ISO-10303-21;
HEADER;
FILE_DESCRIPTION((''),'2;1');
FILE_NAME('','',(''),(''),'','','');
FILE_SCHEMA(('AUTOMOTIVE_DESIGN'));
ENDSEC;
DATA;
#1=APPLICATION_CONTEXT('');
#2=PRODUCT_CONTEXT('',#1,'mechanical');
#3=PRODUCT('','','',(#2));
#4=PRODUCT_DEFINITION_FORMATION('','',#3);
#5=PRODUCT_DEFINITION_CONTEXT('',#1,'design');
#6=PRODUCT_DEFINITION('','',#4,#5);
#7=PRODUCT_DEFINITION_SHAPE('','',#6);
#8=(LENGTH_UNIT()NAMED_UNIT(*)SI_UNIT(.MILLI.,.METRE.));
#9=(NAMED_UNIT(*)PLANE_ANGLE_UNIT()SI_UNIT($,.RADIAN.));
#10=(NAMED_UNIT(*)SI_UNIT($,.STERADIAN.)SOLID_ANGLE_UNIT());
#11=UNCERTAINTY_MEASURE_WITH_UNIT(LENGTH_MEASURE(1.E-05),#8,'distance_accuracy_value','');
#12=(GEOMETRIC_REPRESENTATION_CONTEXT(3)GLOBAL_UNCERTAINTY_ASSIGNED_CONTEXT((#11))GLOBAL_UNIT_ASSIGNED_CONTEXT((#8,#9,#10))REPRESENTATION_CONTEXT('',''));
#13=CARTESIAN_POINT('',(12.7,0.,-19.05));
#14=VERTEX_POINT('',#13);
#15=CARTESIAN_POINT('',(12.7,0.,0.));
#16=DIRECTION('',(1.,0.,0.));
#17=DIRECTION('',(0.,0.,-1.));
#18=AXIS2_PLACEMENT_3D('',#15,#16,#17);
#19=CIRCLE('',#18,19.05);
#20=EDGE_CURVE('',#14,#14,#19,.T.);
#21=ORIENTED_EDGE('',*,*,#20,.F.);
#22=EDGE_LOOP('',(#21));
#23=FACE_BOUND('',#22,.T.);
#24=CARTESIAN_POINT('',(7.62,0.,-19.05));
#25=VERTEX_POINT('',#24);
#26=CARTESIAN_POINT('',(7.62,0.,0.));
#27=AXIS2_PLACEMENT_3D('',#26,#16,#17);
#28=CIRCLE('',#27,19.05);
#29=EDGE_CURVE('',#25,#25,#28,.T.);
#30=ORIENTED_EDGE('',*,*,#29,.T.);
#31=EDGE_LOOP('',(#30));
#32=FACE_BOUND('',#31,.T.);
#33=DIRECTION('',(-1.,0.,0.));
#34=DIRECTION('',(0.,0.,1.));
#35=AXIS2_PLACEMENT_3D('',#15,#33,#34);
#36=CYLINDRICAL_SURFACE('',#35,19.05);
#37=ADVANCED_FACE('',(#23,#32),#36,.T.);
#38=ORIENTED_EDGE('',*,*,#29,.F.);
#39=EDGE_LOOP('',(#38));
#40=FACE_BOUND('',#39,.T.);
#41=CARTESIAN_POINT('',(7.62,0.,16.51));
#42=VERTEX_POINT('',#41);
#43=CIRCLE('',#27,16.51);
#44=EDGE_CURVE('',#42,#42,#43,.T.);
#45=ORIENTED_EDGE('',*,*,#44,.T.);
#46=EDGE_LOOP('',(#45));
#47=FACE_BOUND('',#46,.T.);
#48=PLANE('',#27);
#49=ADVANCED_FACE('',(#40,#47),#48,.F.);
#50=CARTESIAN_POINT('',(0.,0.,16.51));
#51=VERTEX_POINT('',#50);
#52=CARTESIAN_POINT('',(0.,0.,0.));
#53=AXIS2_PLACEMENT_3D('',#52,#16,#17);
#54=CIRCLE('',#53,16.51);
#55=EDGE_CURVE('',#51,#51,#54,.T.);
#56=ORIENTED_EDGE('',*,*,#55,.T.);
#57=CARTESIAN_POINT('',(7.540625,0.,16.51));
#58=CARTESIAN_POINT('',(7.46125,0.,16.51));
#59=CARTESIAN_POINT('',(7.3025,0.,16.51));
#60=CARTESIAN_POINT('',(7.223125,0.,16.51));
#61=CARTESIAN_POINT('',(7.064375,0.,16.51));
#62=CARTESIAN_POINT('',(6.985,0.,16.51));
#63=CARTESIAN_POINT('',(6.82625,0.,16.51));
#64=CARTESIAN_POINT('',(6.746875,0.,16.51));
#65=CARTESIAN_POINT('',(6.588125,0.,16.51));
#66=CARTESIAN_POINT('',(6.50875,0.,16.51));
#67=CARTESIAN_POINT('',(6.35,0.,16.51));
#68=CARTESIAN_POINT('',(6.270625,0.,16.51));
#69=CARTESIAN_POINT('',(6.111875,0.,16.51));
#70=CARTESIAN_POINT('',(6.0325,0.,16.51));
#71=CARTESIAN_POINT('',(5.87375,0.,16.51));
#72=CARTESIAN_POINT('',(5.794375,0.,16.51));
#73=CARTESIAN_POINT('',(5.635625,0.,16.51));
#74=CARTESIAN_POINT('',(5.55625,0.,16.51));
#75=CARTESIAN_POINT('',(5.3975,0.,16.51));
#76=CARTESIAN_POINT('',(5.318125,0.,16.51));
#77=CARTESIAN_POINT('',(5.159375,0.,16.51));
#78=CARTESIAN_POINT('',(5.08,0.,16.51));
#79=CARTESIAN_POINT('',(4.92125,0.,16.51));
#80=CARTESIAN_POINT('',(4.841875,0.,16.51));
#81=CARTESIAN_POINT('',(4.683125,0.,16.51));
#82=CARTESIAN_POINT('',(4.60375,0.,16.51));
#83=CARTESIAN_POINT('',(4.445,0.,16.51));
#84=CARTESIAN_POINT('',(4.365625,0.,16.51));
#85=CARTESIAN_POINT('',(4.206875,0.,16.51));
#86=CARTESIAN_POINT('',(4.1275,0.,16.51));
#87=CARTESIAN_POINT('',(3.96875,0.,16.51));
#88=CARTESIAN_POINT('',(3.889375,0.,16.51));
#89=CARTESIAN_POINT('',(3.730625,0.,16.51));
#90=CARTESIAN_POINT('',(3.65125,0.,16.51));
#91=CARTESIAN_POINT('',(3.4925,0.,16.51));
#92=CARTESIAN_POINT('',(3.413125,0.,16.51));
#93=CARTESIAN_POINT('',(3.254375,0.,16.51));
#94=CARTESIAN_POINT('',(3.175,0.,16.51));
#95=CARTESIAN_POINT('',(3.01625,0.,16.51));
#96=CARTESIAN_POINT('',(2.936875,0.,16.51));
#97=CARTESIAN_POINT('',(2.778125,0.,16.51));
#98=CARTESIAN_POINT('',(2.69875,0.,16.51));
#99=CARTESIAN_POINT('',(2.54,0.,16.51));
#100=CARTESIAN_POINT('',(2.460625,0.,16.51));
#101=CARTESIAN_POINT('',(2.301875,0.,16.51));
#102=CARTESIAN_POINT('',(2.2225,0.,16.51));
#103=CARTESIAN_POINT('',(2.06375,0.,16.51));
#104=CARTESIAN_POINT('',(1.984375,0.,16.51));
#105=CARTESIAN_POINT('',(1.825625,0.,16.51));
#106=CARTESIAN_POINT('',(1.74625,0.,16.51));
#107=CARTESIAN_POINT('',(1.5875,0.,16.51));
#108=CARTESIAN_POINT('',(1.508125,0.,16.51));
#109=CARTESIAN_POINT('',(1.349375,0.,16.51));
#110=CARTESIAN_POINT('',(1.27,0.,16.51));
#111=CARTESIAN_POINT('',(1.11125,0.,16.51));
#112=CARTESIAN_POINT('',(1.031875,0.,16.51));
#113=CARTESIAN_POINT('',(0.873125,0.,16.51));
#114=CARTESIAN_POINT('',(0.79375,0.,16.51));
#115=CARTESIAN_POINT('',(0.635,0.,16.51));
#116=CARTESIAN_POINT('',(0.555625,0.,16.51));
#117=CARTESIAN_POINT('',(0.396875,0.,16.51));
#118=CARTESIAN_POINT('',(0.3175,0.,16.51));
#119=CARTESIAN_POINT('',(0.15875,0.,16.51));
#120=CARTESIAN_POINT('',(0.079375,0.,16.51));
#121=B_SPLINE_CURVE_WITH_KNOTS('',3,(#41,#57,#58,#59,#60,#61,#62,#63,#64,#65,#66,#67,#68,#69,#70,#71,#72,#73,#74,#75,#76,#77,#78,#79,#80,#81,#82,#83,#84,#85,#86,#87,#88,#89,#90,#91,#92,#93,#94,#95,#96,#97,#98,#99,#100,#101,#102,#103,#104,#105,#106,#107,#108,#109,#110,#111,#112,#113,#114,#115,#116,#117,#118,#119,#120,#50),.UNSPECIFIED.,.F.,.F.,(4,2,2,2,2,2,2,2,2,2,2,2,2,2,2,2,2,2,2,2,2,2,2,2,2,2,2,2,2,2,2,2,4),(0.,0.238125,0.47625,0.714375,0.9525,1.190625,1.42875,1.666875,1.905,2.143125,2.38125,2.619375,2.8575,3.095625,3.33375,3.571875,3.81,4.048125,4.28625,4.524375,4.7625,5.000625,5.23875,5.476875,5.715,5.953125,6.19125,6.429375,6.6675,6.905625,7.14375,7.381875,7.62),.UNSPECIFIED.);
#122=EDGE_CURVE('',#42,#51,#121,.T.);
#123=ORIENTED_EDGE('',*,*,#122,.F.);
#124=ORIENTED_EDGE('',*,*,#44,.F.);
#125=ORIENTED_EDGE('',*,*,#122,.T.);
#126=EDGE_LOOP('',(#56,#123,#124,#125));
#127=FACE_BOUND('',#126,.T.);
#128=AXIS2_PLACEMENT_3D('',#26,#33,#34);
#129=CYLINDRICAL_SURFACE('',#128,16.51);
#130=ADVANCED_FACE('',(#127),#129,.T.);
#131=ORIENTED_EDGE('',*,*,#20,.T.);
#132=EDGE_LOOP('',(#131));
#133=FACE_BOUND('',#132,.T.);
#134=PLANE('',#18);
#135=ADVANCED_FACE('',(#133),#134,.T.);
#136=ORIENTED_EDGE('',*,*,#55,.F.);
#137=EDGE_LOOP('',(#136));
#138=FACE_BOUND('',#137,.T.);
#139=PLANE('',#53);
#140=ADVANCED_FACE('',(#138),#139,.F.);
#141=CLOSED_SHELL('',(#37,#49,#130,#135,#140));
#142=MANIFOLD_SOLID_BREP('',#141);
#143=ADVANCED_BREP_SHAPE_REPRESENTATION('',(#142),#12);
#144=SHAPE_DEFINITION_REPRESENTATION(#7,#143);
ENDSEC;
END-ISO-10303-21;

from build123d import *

# Parameters (mm, degrees)
SKETCH_1_R      = 16.51
EXTRUDE_1_DEPTH = 7.62
SKETCH_2_R      = 19.05
EXTRUDE_2_DEPTH = 5.08


with BuildPart() as part:
    # 草图1 → 凸台-拉伸1 (new body)
    with BuildSketch(Plane(origin=(0, 0, 0), x_dir=(0, 0, -1), z_dir=(1, 0, 0))):
        Circle(SKETCH_1_R)
    extrude(amount=EXTRUDE_1_DEPTH)

    # 草图2 → 凸台-拉伸2 (add)
    with BuildSketch(Plane(origin=(7.62, 0, 0), x_dir=(0, 0, -1), z_dir=(1, 0, 0))):
        Circle(SKETCH_2_R)
    extrude(amount=EXTRUDE_2_DEPTH)


solid = part.part
